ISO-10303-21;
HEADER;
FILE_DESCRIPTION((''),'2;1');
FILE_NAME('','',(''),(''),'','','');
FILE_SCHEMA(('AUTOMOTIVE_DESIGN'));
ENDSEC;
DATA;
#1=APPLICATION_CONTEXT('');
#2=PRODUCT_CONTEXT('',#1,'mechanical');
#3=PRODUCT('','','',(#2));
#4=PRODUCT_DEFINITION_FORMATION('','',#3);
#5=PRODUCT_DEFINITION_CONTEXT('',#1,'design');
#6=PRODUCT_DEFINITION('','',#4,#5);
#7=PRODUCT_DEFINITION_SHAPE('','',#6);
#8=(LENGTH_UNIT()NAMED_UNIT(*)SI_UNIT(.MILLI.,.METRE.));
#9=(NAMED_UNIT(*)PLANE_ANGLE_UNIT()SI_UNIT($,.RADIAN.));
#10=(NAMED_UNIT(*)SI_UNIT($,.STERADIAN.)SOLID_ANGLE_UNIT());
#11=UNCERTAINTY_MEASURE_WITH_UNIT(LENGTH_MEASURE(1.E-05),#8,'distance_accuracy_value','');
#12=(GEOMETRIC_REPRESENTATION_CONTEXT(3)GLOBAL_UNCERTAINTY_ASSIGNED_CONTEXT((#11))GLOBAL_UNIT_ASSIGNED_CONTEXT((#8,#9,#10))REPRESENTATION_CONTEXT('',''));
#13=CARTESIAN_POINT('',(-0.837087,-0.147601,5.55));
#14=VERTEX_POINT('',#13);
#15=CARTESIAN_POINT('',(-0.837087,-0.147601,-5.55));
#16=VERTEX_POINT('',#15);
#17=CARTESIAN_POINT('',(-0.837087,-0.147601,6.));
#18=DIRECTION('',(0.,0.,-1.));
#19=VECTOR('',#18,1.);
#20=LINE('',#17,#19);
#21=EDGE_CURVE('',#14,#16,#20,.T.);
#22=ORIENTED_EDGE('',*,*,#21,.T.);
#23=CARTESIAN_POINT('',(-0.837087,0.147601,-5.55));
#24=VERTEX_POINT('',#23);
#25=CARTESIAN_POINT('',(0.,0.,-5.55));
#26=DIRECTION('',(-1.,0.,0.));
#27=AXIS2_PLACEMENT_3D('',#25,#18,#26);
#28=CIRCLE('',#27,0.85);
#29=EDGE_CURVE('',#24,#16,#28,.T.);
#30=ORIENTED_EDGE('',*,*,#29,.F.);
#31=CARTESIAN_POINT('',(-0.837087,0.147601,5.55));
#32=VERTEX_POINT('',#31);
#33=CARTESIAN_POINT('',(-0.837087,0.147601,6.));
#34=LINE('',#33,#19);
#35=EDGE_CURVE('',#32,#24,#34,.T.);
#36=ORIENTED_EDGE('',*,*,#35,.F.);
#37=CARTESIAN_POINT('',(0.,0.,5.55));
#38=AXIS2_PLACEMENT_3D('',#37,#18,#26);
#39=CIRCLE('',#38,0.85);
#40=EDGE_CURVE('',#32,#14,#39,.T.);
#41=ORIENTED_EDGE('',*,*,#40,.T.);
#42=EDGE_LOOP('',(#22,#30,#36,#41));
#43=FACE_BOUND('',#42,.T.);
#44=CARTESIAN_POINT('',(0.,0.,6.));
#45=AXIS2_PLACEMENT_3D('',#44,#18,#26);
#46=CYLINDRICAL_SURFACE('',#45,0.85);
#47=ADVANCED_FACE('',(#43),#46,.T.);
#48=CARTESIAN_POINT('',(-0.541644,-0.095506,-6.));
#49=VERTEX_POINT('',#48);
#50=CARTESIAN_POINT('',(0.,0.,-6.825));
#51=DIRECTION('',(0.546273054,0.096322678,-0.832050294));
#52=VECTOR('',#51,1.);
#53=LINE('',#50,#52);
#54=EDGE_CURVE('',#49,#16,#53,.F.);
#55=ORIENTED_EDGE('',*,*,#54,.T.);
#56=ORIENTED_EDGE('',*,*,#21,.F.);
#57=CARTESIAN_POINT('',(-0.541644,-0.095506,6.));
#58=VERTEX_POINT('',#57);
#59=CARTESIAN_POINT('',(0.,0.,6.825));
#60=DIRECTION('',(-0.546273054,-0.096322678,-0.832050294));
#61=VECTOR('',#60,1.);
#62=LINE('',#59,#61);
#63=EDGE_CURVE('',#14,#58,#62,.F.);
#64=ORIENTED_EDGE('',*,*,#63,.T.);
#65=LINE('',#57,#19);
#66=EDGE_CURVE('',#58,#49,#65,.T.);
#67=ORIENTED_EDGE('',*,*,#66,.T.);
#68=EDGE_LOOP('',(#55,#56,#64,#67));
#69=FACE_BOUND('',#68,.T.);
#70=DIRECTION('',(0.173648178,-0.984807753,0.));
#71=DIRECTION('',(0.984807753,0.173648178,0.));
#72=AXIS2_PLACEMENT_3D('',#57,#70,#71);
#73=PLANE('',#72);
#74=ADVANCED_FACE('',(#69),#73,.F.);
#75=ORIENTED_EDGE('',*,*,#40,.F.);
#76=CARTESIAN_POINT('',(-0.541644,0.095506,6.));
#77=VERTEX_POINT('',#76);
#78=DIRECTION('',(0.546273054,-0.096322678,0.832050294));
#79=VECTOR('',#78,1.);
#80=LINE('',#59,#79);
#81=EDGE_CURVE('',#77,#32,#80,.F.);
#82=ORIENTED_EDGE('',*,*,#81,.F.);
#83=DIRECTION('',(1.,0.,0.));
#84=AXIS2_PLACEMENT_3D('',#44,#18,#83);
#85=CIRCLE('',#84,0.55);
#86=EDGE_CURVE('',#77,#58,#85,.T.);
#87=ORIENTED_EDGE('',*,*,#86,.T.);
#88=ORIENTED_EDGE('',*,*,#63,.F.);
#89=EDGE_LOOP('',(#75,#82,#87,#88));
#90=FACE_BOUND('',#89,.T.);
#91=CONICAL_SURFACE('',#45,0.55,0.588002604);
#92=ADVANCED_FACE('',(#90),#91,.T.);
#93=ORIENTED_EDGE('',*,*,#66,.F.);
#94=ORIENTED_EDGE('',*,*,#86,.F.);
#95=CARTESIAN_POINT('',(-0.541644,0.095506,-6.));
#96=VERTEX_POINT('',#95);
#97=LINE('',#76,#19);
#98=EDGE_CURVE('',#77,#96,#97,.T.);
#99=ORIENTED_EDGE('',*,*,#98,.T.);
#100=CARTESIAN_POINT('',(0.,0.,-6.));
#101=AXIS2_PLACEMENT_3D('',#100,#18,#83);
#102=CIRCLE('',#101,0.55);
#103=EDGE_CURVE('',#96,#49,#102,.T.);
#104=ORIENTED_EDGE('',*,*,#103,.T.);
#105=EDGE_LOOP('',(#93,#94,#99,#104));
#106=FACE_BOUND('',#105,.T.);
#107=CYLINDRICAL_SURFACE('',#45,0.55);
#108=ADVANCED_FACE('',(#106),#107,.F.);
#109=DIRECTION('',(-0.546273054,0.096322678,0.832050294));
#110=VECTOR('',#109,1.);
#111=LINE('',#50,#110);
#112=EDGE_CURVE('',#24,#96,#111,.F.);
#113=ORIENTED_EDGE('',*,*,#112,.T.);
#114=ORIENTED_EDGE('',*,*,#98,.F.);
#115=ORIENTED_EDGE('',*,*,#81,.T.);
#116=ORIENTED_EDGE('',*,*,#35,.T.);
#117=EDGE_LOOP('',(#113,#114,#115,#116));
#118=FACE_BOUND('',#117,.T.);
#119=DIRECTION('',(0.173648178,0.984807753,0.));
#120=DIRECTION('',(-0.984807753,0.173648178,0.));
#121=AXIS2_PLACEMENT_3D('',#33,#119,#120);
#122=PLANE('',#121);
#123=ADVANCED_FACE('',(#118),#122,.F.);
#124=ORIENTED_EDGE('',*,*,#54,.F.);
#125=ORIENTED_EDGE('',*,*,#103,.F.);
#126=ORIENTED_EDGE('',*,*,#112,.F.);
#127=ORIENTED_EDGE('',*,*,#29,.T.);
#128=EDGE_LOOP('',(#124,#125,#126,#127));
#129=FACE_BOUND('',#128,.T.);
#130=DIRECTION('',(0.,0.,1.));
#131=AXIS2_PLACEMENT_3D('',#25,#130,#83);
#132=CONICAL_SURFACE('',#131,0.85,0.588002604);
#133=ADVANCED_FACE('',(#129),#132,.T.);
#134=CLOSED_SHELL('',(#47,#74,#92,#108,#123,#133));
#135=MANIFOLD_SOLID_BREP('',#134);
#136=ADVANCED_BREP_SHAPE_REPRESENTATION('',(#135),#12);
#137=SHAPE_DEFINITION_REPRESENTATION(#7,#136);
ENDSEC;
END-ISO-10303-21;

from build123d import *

# Parameters (mm, degrees)
EXTRUDE1_DEPTH = 6


with BuildPart() as part:
    # Sketch1 → Extrude1 (new body, symmetric)
    with BuildSketch(Plane.XY):
        with BuildLine():
            Line((-0.83708659, 0.147600951), (-0.541644264, 0.095506498))
            ThreePointArc((-0.541644264, 0.095506498), (0.55, 0), (-0.541644264, -0.095506498))
            Line((-0.541644264, -0.095506498), (-0.83708659, -0.147600951))
            ThreePointArc((-0.83708659, -0.147600951), (0.85, 0), (-0.83708659, 0.147600951))
        make_face()
    extrude(amount=EXTRUDE1_DEPTH, both=True)

    # Sketch2 → Cut-Revolve1 (revolve, cut)
    with BuildSketch(Plane(origin=(0, 0, 0), x_dir=(0, 0, -1), z_dir=(1, 0, 0))):
        Polygon((6, 0.85), (6, 0.55), (5.55, 0.85), align=None)
        Polygon((-5.55, 0.85), (-6, 0.85), (-6, 0.55), align=None)
    revolve(axis=Axis((0, 0, -6), (0, 0, 1)), mode=Mode.SUBTRACT)


solid = part.part
